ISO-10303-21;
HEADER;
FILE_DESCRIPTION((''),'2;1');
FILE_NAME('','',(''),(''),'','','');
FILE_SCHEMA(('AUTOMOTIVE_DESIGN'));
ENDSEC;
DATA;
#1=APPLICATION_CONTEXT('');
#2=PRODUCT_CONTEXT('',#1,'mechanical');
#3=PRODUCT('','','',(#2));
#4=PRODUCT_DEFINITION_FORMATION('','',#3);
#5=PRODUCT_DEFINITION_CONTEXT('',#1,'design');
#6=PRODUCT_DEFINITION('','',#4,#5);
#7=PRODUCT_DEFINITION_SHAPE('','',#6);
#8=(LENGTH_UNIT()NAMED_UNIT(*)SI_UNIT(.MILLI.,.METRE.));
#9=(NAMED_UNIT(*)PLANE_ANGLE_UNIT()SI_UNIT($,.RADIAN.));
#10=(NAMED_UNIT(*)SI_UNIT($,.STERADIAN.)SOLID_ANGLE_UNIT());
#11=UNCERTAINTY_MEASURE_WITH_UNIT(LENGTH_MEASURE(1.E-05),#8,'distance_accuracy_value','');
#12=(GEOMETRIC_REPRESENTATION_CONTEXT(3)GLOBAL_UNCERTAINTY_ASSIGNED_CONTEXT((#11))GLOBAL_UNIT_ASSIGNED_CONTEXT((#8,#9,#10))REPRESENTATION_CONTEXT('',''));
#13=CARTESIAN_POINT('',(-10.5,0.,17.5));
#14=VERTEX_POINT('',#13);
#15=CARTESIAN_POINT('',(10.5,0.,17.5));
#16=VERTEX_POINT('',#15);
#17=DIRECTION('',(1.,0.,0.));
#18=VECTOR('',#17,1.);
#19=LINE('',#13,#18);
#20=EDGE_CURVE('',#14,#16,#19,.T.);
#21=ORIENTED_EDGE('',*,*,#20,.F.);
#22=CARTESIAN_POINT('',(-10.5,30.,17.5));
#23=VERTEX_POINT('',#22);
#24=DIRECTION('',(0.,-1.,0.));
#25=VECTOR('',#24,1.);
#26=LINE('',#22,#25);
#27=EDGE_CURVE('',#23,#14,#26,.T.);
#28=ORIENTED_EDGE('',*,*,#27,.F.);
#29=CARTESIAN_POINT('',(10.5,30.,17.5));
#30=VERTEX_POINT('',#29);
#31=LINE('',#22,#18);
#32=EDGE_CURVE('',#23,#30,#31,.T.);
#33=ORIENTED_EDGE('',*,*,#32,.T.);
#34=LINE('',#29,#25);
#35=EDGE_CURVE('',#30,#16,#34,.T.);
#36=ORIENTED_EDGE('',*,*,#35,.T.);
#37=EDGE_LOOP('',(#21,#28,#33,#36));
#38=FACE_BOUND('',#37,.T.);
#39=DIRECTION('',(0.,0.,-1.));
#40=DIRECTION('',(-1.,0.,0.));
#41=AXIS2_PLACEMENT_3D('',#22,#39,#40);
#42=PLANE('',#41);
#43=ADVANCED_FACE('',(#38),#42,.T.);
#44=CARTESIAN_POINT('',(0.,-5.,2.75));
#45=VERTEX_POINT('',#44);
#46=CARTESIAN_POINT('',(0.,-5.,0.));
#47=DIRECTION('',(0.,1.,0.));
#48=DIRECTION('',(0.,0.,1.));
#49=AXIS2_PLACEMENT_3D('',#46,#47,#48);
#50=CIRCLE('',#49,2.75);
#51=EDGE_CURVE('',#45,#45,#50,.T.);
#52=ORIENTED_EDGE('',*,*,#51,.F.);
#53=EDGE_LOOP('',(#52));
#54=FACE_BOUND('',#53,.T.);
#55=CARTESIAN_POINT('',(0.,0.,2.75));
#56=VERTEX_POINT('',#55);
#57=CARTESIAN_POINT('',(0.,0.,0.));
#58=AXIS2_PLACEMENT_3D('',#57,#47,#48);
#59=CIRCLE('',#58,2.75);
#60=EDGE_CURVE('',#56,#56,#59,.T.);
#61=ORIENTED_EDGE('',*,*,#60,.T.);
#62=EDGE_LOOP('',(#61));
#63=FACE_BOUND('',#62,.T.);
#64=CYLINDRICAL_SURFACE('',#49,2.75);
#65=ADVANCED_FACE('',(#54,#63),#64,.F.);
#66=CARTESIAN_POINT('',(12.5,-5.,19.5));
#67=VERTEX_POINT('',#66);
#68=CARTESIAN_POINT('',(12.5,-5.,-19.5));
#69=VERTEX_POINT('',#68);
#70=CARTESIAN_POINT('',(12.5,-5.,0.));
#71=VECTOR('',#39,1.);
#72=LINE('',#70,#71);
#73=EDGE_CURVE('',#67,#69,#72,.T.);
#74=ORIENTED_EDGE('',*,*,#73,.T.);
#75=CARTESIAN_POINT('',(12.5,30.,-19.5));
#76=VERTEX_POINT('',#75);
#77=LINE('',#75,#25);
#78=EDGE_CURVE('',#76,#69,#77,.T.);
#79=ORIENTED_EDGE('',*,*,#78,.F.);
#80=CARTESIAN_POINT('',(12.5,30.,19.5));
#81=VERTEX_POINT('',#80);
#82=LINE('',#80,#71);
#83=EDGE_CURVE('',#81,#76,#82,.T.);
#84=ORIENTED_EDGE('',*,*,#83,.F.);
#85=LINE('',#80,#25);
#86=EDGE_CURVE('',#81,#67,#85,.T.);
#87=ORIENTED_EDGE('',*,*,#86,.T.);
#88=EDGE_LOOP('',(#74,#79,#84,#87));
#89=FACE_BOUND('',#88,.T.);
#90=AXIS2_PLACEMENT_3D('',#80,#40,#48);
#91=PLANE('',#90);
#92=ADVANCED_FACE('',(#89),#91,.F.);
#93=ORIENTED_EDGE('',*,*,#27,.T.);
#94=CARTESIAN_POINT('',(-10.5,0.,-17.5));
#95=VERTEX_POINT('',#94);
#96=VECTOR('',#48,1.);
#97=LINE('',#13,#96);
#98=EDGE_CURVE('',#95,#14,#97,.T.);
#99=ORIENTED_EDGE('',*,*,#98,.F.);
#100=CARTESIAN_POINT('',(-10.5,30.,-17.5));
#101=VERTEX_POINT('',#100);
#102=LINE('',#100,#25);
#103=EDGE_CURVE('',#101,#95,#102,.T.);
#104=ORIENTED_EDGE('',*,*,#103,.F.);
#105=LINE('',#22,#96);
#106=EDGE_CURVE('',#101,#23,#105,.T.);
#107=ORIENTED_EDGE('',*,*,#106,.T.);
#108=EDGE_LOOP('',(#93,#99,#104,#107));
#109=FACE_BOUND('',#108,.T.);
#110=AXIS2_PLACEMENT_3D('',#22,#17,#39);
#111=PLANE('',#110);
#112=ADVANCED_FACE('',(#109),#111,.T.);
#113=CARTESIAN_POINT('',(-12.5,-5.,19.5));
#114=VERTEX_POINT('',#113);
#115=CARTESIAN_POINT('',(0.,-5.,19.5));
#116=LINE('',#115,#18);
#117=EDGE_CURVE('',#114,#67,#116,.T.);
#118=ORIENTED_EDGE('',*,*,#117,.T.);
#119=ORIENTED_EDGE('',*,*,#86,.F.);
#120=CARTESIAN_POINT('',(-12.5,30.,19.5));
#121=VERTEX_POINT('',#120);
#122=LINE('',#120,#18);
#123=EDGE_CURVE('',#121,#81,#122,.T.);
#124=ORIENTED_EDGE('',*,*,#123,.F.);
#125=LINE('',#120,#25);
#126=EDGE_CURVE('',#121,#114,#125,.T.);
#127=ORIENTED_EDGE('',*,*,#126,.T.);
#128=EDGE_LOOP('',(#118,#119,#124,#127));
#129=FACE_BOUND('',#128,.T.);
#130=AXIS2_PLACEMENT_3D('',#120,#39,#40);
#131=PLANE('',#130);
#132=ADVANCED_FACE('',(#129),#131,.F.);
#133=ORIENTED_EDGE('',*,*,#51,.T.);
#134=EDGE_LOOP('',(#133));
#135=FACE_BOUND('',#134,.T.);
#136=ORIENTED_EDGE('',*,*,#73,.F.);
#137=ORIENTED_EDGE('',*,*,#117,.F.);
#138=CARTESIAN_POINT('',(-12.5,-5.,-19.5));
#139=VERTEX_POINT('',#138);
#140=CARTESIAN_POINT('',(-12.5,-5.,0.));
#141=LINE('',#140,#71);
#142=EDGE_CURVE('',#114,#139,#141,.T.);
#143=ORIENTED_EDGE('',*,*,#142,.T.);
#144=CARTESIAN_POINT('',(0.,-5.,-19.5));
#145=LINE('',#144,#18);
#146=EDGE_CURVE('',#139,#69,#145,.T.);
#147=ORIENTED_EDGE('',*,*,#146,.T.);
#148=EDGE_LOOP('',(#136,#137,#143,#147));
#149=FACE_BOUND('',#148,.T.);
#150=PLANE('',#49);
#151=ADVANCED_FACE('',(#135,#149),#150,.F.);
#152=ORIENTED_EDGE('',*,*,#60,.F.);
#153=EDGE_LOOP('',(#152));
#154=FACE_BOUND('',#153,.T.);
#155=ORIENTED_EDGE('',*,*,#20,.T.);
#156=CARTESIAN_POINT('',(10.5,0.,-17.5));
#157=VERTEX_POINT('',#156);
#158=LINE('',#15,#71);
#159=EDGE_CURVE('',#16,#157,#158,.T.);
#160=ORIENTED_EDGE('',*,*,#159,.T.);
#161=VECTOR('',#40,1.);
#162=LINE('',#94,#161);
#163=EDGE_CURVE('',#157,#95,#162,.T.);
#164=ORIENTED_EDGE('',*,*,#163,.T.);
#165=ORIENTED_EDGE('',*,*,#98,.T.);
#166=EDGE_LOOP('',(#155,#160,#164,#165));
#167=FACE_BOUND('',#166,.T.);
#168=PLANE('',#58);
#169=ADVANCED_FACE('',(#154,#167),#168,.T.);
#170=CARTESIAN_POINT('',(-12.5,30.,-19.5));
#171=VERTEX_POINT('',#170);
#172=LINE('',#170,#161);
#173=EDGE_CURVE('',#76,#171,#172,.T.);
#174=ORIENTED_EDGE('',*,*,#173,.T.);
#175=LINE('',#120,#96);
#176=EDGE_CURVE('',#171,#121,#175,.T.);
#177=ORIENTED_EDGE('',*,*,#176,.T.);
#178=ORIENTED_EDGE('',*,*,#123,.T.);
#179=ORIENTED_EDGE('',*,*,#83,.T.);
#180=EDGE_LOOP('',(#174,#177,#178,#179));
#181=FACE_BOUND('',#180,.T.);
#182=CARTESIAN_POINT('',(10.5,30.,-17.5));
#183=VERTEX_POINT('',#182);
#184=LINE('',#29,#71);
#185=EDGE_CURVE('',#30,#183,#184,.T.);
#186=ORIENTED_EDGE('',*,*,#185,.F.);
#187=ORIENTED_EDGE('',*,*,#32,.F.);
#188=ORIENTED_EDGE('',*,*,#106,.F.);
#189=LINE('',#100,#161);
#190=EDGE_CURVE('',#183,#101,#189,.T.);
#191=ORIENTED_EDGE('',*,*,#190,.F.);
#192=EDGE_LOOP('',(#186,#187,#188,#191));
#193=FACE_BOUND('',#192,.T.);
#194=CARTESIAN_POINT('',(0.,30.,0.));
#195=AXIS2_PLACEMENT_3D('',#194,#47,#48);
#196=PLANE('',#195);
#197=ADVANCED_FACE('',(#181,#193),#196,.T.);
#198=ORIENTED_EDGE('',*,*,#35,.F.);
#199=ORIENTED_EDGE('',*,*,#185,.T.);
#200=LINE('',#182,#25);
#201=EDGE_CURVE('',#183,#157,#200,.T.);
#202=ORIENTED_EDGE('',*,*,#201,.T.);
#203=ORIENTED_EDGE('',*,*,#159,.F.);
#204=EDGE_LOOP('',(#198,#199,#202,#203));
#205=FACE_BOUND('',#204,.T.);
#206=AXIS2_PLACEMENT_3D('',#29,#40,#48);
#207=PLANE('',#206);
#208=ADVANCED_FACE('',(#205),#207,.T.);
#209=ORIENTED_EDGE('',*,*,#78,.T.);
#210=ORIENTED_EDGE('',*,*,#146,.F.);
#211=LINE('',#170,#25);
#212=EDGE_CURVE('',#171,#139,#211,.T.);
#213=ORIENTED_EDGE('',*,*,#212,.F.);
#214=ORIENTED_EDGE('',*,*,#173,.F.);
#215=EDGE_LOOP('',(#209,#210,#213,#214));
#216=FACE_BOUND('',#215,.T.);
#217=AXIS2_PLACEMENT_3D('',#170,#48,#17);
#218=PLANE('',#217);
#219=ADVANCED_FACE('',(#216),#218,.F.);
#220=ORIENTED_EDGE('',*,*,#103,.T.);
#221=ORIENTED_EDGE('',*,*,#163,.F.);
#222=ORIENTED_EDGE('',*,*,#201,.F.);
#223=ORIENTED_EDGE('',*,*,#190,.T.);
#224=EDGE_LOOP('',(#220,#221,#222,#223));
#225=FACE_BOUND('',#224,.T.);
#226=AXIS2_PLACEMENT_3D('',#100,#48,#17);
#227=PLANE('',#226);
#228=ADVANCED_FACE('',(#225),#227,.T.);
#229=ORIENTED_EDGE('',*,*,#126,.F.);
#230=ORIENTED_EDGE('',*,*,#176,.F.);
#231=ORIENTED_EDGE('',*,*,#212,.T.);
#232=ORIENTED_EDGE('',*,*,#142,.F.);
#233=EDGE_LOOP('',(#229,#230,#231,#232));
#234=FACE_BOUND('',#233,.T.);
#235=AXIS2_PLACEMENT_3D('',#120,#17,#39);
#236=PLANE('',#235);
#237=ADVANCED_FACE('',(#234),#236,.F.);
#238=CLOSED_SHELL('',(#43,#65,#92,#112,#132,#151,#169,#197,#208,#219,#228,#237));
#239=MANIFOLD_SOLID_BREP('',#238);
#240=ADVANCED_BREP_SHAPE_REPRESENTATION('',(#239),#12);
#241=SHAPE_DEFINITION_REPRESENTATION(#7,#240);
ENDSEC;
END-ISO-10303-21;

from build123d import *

# Parameters (mm, degrees)
SKETCH1_W               = 25
SKETCH1_H               = 39
SKETCH1_W_2             = 21
SKETCH1_H_2             = 35
BOSS_EXTRUDE1_DEPTH     = 30
SKETCH1_2_W             = 25
SKETCH1_2_H             = 39
BOSS_EXTRUDE2_DEPTH     = 5
CUT_EXTRUDE1_DEPTH      = 38.901187316
CUT_EXTRUDE1_DEPTH_BACK = 38.901187316
SKETCH4_R               = 2.75


with BuildPart() as part:
    # Sketch1 → Boss-Extrude1 (new body)
    with BuildSketch(Plane(origin=(0, 0, 0), x_dir=(1, 0, 0), z_dir=(0, 1, 0))):
        Rectangle(SKETCH1_W, SKETCH1_H)
        Rectangle(SKETCH1_W_2, SKETCH1_H_2, mode=Mode.SUBTRACT)
    extrude(amount=BOSS_EXTRUDE1_DEPTH)

    # Sketch1<2> → Boss-Extrude2 (add)
    with BuildSketch(Plane(origin=(0, 0, 0), x_dir=(1, 0, 0), z_dir=(0, 1, 0))):
        Rectangle(SKETCH1_2_W, SKETCH1_2_H)
    extrude(amount=-BOSS_EXTRUDE2_DEPTH)

    # Sketch4 → Cut-Extrude1 (cut, two sides: drawn at the far end of the back side and taken through both)
    with BuildSketch(Plane(origin=(0, 0, 0), x_dir=(1, 0, 0), z_dir=(0, 1, 0)).offset(-CUT_EXTRUDE1_DEPTH_BACK)):
        Circle(SKETCH4_R)
    extrude(amount=CUT_EXTRUDE1_DEPTH + CUT_EXTRUDE1_DEPTH_BACK, mode=Mode.SUBTRACT)


solid = part.part
